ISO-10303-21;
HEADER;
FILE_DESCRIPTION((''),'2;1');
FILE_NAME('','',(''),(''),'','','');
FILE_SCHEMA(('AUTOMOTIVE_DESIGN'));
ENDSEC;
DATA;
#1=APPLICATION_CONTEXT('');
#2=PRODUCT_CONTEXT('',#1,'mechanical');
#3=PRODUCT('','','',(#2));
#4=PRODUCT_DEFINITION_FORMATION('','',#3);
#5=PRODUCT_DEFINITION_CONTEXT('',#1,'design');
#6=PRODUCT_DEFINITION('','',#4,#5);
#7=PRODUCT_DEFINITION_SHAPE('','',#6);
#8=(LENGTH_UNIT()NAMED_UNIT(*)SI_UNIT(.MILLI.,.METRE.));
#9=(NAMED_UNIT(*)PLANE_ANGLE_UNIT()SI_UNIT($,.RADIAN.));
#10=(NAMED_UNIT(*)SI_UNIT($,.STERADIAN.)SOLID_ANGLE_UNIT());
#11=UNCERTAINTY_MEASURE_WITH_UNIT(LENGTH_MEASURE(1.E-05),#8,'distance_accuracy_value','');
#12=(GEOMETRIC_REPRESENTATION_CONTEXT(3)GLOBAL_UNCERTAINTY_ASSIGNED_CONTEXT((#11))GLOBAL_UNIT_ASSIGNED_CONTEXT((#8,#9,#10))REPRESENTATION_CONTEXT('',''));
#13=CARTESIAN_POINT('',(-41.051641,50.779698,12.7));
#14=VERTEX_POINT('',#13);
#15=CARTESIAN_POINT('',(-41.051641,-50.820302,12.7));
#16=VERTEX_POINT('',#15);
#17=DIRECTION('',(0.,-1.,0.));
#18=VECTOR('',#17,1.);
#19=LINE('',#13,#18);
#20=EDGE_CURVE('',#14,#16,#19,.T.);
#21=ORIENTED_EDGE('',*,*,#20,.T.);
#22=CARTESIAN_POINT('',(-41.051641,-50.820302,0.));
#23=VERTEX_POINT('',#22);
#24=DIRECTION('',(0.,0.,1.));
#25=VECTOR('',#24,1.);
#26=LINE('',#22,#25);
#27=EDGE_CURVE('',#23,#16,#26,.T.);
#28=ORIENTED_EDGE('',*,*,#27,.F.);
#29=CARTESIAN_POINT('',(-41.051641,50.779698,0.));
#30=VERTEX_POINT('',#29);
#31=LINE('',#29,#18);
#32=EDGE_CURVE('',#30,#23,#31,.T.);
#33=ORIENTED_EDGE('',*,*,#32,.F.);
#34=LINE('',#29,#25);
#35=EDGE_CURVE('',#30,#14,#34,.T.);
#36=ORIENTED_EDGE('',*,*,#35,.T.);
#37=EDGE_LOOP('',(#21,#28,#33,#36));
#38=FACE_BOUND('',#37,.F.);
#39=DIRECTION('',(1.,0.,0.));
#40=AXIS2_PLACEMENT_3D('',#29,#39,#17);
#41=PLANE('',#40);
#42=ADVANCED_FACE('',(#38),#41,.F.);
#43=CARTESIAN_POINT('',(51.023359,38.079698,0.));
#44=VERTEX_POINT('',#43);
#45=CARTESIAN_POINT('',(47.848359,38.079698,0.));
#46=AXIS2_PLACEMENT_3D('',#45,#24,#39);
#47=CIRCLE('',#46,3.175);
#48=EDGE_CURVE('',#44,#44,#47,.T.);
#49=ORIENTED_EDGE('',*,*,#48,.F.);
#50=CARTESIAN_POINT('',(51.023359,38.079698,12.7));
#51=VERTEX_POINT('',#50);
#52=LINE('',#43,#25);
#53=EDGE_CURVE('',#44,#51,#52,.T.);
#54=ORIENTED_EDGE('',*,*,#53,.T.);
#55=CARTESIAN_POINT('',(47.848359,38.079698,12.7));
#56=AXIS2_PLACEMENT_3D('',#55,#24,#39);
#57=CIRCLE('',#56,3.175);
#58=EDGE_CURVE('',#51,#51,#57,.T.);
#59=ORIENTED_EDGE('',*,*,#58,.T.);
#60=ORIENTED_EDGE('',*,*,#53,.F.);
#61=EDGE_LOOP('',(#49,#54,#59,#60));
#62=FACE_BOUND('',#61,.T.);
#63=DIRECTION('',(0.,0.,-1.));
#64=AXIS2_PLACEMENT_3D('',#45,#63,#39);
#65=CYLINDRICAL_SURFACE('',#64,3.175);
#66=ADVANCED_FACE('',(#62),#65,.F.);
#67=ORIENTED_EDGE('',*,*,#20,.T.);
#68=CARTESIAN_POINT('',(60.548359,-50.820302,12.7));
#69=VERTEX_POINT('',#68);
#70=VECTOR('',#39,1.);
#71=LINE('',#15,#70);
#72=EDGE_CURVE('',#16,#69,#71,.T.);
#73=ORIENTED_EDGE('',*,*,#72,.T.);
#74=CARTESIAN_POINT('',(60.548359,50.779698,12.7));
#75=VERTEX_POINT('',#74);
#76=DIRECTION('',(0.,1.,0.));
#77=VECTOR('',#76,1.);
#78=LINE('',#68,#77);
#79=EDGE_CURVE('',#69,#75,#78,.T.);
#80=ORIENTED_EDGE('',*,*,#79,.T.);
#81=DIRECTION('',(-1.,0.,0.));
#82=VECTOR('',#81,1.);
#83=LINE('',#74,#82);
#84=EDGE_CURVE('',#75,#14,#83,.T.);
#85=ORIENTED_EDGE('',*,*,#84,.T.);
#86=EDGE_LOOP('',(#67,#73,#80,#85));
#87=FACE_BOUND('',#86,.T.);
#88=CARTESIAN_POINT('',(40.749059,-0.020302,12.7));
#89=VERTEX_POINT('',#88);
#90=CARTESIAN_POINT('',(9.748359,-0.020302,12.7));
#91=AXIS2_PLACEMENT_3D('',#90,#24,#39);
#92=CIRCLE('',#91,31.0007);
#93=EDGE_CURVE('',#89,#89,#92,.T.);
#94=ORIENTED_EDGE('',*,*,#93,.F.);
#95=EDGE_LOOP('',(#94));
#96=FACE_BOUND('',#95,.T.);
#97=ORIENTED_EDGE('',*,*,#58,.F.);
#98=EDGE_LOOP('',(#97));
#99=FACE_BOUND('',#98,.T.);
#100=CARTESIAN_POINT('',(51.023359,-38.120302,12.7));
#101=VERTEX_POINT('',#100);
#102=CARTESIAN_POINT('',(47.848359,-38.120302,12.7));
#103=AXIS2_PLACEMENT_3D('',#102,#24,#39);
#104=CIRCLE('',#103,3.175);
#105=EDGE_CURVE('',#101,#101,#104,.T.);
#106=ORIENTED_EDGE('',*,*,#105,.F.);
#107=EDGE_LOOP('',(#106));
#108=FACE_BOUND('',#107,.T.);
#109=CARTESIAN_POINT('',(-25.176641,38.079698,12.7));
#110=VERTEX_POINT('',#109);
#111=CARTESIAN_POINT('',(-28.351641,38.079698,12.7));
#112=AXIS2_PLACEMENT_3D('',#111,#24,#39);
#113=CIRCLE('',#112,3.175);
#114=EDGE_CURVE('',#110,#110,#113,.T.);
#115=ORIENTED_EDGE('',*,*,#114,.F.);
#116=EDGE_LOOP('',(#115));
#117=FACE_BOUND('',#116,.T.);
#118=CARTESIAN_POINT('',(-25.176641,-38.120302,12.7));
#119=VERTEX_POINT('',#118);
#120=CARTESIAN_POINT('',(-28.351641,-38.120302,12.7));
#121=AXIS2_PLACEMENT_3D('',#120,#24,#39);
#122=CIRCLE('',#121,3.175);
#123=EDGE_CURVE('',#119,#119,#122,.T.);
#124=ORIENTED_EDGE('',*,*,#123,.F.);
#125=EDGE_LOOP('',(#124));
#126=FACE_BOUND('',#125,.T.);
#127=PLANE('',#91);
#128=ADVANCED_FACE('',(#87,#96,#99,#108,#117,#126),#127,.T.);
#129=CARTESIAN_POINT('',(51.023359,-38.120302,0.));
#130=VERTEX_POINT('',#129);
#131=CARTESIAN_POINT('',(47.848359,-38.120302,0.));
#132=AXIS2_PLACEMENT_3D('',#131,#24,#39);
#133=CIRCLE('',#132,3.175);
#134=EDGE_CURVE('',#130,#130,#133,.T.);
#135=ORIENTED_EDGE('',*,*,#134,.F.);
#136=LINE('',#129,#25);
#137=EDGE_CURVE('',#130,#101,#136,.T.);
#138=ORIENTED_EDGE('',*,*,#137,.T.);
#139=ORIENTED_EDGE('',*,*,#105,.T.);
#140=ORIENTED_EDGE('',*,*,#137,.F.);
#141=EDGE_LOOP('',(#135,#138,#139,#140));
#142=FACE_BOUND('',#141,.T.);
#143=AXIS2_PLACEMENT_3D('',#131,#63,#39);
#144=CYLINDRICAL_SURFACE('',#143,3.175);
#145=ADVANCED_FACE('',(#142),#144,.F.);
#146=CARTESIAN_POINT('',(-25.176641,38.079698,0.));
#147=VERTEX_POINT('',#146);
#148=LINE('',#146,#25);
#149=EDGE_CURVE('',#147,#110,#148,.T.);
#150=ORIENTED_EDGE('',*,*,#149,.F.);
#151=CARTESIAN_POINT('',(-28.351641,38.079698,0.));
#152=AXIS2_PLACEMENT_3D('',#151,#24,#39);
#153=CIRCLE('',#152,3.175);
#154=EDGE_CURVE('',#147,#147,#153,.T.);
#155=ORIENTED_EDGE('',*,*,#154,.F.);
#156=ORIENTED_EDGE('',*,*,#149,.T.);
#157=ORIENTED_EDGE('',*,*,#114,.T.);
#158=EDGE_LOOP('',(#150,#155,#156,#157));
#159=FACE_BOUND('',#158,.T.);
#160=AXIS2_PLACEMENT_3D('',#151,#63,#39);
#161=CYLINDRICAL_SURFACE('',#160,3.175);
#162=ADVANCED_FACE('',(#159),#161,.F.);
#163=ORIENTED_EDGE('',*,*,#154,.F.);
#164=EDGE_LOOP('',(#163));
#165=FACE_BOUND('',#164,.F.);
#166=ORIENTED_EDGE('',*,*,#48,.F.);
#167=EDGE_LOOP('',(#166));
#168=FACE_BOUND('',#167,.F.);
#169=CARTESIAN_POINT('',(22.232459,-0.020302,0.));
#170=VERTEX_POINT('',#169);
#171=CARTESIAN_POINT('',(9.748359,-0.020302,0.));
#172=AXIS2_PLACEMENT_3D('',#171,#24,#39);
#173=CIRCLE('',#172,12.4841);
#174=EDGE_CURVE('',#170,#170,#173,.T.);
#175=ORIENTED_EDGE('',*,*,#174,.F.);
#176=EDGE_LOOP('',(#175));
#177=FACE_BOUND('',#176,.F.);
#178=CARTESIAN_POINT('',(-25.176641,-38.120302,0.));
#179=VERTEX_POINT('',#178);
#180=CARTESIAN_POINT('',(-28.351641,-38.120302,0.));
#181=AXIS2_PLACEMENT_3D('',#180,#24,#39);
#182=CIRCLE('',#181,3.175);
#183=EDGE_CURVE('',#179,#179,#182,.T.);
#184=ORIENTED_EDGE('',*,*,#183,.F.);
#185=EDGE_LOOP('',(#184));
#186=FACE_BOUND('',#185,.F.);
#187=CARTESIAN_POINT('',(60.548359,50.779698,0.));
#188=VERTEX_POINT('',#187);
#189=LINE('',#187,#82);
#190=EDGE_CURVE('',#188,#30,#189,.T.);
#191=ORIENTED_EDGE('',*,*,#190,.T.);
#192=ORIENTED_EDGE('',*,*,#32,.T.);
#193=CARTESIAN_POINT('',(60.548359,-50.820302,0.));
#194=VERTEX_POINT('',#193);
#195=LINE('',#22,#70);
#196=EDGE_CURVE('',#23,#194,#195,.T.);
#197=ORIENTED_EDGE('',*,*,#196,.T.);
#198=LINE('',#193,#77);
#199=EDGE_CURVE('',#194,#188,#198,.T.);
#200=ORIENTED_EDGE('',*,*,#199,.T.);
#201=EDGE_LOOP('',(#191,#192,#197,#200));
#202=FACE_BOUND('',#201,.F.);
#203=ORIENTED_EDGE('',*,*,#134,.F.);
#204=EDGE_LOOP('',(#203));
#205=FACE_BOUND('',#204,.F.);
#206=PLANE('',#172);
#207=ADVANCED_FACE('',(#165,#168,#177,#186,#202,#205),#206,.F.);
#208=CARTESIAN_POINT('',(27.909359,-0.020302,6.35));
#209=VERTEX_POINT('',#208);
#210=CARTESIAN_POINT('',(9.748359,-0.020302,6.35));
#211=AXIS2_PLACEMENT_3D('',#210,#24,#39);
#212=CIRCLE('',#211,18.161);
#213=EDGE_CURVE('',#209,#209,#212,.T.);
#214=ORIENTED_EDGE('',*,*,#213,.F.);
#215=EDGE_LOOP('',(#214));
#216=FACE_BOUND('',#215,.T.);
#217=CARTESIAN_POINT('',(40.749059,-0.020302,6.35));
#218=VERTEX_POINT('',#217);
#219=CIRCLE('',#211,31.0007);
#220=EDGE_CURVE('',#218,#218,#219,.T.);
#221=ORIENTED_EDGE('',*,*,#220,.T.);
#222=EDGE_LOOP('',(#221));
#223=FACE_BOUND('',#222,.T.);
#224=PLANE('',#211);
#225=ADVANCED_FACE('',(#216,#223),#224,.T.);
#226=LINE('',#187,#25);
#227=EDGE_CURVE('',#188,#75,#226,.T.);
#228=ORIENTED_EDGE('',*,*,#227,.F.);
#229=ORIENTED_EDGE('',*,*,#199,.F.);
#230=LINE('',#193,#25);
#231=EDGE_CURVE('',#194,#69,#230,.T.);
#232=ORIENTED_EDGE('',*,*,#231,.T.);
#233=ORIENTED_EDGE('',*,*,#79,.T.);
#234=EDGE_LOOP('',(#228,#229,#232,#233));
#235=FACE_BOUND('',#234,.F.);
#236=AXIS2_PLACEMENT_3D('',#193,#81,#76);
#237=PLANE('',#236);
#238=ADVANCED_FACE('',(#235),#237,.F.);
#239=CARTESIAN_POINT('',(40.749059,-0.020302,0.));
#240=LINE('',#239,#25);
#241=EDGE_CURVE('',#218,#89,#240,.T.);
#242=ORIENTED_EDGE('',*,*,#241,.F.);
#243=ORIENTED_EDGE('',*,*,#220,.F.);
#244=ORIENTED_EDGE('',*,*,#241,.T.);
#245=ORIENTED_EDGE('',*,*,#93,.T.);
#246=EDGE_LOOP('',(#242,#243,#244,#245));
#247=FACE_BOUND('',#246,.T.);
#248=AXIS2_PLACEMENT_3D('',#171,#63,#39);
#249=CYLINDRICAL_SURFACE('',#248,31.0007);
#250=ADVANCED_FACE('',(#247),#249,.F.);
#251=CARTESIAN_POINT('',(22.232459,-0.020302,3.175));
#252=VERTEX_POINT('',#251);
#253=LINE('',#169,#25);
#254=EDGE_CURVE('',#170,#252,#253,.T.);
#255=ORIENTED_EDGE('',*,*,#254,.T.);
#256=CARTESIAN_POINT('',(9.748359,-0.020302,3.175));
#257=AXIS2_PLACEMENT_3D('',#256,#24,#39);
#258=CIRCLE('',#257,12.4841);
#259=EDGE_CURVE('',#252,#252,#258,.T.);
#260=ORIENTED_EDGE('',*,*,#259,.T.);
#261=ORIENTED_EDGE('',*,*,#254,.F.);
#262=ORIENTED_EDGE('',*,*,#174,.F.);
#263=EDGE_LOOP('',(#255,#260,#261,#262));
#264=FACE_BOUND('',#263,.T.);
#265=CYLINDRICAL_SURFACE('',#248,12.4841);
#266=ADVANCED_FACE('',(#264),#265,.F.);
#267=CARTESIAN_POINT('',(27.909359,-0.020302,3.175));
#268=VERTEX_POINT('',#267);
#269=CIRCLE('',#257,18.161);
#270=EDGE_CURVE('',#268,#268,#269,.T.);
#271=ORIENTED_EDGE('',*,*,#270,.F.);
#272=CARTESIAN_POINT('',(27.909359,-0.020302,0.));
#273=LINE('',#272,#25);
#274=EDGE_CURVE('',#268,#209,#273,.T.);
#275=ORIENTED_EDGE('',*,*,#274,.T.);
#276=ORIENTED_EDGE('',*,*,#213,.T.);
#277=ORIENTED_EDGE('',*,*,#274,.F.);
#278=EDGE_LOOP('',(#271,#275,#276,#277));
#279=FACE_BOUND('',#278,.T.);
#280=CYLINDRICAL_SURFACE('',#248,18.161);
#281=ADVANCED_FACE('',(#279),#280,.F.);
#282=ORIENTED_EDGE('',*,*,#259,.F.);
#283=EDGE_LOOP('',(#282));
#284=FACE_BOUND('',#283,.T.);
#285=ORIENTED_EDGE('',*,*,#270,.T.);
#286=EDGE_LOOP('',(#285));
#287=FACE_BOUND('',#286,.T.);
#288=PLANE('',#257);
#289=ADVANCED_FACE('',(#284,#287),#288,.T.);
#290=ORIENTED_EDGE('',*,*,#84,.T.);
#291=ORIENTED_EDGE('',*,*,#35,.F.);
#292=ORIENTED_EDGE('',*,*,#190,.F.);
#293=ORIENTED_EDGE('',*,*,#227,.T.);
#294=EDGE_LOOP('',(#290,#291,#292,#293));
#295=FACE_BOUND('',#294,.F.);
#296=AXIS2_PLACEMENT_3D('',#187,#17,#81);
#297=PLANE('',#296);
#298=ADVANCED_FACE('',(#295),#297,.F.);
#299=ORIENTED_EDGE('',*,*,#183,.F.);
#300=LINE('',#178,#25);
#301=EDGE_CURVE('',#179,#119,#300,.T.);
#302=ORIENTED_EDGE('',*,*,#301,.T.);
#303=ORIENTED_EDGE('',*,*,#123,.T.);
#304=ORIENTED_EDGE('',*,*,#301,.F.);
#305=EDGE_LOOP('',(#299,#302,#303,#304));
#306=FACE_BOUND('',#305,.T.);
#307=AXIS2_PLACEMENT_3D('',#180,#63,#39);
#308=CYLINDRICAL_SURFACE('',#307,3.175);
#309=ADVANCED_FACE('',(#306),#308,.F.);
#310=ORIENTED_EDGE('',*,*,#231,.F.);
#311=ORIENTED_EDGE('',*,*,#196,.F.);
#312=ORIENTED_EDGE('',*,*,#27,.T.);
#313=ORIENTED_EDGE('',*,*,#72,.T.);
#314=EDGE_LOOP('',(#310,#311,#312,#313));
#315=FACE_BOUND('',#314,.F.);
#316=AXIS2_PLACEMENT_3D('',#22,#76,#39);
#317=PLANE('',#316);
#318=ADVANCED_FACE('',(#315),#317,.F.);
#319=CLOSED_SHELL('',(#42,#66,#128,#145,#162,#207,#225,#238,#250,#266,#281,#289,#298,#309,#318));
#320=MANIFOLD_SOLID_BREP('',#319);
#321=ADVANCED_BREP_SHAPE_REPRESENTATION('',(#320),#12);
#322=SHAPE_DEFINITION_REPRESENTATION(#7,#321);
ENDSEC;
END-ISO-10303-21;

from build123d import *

# Parameters (mm, degrees)
F0_R     = 3.175
F0_R_2   = 31.0007
F1_DEPTH = 12.7
F0_R_3   = 18.161
F2_DEPTH = 6.35
F0_R_4   = 12.4841
F3_DEPTH = 3.175


with BuildPart() as f1:
    # F0 (on Top) → F1 (new body)
    with BuildSketch(Plane.XY):
        Polygon((-41.051641, 50.779698), (-41.051641, 0), (-41.051641, -50.820302), (60.548359, -50.820302), (60.548359, 50.779698), align=None)
        with Locations((-28.351641, -38.120302)):
            Circle(F0_R, mode=Mode.SUBTRACT)
        with Locations((47.848359, -38.120302)):
            Circle(F0_R, mode=Mode.SUBTRACT)
        with Locations((9.748359, -0.020302)):
            Circle(F0_R_2, mode=Mode.SUBTRACT)
        with Locations((-28.351641, 38.079698)):
            Circle(F0_R, mode=Mode.SUBTRACT)
        with Locations((47.848359, 38.079698)):
            Circle(F0_R, mode=Mode.SUBTRACT)
    extrude(amount=F1_DEPTH)

    # F0 (on Top) → F2 (join)
    with BuildSketch(Plane.XY):
        with Locations((9.748359, -0.020302)):
            Circle(F0_R_2)
        with Locations((9.748359, -0.020302)):
            Circle(F0_R_3, mode=Mode.SUBTRACT)
    extrude(amount=F2_DEPTH)

    # F0 (on Top) → F3 (join)
    with BuildSketch(Plane.XY):
        with Locations((9.748359, -0.020302)):
            Circle(F0_R_3)
        with Locations((9.748359, -0.020302)):
            Circle(F0_R_4, mode=Mode.SUBTRACT)
    extrude(amount=F3_DEPTH)


solid = f1.part
